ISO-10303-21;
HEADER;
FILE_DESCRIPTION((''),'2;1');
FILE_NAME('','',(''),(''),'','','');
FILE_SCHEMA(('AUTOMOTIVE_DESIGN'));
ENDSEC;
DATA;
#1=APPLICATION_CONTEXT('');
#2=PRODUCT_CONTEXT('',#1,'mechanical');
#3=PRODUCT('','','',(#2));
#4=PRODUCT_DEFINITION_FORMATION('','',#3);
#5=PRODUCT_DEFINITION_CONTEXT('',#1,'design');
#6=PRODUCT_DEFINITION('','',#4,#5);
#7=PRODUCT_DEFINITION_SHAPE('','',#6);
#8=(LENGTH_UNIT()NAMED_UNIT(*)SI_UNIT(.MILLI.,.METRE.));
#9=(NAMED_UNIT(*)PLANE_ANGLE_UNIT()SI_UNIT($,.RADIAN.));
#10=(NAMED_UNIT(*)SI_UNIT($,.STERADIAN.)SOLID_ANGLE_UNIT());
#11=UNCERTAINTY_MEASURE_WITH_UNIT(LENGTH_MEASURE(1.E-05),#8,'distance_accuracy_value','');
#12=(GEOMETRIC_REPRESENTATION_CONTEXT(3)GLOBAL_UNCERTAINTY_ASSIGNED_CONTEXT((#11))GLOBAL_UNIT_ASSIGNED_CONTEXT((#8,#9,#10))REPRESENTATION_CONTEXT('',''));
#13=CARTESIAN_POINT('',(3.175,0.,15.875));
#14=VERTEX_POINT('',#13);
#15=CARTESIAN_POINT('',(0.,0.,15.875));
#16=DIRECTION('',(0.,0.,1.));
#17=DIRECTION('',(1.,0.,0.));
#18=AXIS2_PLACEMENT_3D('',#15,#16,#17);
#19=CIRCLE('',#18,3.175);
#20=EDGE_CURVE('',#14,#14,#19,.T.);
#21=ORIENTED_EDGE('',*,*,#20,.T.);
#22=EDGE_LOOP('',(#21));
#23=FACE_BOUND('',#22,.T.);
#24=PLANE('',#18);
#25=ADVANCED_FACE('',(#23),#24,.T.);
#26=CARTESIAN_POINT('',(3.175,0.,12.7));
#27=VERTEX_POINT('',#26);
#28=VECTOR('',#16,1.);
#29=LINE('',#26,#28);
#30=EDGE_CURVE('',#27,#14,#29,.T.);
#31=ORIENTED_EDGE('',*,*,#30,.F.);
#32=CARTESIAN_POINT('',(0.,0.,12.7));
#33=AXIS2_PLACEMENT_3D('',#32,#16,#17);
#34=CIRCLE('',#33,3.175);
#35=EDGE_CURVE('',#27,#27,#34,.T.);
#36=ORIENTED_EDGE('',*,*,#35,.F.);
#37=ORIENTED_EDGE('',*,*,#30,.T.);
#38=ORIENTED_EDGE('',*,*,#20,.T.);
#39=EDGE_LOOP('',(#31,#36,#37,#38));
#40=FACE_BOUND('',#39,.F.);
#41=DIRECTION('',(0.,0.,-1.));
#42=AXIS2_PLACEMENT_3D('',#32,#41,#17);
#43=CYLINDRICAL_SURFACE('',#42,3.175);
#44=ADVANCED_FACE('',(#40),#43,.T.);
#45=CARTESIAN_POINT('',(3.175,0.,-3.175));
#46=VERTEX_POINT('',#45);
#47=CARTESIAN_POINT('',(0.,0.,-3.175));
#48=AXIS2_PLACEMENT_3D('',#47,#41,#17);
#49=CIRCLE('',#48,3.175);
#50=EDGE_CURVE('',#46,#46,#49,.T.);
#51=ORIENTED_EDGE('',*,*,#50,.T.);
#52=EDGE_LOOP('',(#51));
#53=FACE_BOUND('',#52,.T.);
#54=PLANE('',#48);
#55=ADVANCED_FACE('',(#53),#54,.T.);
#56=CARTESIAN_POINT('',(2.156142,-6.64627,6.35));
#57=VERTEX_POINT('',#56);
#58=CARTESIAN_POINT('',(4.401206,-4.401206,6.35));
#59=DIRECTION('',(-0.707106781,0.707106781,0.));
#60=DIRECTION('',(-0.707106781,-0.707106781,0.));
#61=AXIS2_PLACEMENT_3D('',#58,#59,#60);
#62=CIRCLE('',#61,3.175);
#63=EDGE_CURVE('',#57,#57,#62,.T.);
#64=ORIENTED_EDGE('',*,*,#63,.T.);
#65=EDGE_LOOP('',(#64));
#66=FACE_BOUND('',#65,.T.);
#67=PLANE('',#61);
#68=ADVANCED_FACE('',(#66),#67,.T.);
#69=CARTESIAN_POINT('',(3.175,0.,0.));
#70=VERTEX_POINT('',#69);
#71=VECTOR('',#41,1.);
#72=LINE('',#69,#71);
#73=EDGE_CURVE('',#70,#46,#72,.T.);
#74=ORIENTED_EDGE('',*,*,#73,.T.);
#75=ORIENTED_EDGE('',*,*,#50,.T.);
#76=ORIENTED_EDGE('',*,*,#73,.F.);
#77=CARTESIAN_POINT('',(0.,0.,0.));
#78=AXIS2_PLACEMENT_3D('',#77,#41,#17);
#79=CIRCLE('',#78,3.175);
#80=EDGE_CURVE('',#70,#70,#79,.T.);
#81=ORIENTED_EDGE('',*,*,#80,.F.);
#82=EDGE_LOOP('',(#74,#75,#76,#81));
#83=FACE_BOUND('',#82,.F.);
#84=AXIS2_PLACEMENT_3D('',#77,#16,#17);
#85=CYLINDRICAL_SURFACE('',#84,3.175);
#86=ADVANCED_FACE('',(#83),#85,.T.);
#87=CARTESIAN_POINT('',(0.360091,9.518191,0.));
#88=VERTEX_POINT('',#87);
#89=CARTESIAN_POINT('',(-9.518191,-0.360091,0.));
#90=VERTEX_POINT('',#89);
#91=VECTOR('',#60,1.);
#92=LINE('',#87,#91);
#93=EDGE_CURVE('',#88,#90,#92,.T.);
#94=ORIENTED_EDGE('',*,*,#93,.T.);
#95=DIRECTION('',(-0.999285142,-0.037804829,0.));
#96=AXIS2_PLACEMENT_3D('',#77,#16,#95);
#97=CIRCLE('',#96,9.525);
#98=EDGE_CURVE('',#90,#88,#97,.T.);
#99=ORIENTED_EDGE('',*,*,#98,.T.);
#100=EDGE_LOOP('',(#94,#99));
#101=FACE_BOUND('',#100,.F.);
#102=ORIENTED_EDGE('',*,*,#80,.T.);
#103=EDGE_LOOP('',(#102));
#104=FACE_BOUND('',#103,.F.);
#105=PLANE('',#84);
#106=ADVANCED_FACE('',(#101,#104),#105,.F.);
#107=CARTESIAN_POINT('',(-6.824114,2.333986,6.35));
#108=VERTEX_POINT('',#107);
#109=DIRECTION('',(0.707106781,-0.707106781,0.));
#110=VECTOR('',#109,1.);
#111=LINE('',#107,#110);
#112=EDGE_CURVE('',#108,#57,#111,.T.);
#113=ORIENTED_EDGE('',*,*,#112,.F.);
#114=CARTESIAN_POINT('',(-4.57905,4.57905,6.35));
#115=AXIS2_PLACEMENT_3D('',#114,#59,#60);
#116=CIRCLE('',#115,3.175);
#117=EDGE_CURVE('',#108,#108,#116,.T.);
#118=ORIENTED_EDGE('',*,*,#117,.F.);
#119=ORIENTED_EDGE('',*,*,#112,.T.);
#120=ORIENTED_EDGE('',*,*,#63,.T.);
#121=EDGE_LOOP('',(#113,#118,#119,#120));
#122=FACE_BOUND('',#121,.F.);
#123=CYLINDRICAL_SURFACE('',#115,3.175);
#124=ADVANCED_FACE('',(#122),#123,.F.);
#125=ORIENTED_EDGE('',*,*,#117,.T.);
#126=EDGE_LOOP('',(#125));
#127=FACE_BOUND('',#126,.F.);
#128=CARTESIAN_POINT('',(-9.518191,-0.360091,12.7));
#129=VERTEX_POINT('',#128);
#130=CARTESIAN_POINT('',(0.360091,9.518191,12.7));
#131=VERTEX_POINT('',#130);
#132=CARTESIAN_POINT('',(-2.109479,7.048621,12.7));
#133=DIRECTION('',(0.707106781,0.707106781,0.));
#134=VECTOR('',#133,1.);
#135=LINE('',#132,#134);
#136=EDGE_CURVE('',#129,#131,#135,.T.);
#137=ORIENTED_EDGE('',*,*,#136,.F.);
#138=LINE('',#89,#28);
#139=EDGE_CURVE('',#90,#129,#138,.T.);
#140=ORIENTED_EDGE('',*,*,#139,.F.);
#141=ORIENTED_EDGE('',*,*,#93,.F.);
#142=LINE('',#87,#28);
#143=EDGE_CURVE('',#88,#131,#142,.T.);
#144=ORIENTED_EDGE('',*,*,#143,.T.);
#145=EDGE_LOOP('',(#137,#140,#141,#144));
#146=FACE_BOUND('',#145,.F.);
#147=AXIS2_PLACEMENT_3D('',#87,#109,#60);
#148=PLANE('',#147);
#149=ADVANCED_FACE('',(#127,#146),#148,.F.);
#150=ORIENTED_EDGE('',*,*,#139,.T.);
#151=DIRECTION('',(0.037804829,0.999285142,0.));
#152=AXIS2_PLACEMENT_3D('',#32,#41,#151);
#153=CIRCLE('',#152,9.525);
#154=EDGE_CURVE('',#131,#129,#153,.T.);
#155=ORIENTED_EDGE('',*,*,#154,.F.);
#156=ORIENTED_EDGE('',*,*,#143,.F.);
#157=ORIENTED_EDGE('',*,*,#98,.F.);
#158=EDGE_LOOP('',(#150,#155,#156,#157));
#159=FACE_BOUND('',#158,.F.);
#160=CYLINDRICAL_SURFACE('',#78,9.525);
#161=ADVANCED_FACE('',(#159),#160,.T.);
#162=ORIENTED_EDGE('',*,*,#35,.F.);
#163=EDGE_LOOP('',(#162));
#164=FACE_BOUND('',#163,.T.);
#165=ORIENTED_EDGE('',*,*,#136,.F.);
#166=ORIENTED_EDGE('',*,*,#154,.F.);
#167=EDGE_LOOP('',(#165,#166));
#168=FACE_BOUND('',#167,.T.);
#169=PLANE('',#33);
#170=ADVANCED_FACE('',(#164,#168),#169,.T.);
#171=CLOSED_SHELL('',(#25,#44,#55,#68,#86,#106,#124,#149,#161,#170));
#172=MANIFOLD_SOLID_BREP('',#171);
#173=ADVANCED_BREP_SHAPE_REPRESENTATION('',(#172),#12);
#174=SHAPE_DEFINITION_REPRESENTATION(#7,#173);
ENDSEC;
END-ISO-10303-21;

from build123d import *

# Parameters (mm, degrees)
F0_R     = 9.525
F1_DEPTH = 12.7
F2_R     = 3.175
F3_DEPTH = 3.175
F4_R     = 3.175
F5_DEPTH = 3.175
F7_DEPTH = 25.4
F8_R     = 3.175
F9_DEPTH = 12.7


with BuildPart() as f1:
    # F0 (on Top) → F1 (new body)
    with BuildSketch(Plane.XY):
        Circle(F0_R)
    extrude(amount=F1_DEPTH)

    # F2 (on face) → F3 (join)
    with BuildSketch(Plane(origin=(0, 0, 0), x_dir=(1, 0, 0), z_dir=(0, 0, -1))):
        Circle(F2_R)
    extrude(amount=F3_DEPTH)

    # F4 (on face) → F5 (join)
    with BuildSketch(Plane.XY.offset(12.7)):
        Circle(F4_R)
    extrude(amount=F5_DEPTH)

    # F6 (on face) → F7 (cut)
    with BuildSketch(Plane(origin=(0, 0, 0), x_dir=(1, 0, 0), z_dir=(0, 0, -1))):
        with BuildLine():
            Line((0.360091, -9.518191), (0, -9.1581))
            Line((0, -9.1581), (0, -9.525))
            ThreePointArc((0, -9.525), (0.180078, -9.523298), (0.360091, -9.518191))
        make_face()
        with BuildLine():
            Line((0, -9.525), (0, -9.1581))
            Line((0, -9.1581), (-4.57905, -4.57905))
            Line((-4.57905, -4.57905), (-9.1581, 0))
            Line((-9.1581, 0), (-9.525, 0))
            ThreePointArc((-9.525, 0), (-6.735192, -6.735192), (0, -9.525))
        make_face()
        with BuildLine():
            Line((-9.525, 0), (-9.1581, 0))
            Line((-9.1581, 0), (-9.518191, 0.360091))
            ThreePointArc((-9.518191, 0.360091), (-9.523298, 0.180078), (-9.525, 0))
        make_face()
    extrude(amount=-F7_DEPTH, mode=Mode.SUBTRACT)

    # F8 (on face) → F9 (cut)
    with BuildSketch(Plane(origin=(-4.57905, 4.57905, 0), x_dir=(-0.707107, -0.707107, 0), z_dir=(-0.707107, 0.707107, 0))):
        with Locations((0, 6.35)):
            Circle(F8_R)
    extrude(amount=-F9_DEPTH, mode=Mode.SUBTRACT)


solid = f1.part
